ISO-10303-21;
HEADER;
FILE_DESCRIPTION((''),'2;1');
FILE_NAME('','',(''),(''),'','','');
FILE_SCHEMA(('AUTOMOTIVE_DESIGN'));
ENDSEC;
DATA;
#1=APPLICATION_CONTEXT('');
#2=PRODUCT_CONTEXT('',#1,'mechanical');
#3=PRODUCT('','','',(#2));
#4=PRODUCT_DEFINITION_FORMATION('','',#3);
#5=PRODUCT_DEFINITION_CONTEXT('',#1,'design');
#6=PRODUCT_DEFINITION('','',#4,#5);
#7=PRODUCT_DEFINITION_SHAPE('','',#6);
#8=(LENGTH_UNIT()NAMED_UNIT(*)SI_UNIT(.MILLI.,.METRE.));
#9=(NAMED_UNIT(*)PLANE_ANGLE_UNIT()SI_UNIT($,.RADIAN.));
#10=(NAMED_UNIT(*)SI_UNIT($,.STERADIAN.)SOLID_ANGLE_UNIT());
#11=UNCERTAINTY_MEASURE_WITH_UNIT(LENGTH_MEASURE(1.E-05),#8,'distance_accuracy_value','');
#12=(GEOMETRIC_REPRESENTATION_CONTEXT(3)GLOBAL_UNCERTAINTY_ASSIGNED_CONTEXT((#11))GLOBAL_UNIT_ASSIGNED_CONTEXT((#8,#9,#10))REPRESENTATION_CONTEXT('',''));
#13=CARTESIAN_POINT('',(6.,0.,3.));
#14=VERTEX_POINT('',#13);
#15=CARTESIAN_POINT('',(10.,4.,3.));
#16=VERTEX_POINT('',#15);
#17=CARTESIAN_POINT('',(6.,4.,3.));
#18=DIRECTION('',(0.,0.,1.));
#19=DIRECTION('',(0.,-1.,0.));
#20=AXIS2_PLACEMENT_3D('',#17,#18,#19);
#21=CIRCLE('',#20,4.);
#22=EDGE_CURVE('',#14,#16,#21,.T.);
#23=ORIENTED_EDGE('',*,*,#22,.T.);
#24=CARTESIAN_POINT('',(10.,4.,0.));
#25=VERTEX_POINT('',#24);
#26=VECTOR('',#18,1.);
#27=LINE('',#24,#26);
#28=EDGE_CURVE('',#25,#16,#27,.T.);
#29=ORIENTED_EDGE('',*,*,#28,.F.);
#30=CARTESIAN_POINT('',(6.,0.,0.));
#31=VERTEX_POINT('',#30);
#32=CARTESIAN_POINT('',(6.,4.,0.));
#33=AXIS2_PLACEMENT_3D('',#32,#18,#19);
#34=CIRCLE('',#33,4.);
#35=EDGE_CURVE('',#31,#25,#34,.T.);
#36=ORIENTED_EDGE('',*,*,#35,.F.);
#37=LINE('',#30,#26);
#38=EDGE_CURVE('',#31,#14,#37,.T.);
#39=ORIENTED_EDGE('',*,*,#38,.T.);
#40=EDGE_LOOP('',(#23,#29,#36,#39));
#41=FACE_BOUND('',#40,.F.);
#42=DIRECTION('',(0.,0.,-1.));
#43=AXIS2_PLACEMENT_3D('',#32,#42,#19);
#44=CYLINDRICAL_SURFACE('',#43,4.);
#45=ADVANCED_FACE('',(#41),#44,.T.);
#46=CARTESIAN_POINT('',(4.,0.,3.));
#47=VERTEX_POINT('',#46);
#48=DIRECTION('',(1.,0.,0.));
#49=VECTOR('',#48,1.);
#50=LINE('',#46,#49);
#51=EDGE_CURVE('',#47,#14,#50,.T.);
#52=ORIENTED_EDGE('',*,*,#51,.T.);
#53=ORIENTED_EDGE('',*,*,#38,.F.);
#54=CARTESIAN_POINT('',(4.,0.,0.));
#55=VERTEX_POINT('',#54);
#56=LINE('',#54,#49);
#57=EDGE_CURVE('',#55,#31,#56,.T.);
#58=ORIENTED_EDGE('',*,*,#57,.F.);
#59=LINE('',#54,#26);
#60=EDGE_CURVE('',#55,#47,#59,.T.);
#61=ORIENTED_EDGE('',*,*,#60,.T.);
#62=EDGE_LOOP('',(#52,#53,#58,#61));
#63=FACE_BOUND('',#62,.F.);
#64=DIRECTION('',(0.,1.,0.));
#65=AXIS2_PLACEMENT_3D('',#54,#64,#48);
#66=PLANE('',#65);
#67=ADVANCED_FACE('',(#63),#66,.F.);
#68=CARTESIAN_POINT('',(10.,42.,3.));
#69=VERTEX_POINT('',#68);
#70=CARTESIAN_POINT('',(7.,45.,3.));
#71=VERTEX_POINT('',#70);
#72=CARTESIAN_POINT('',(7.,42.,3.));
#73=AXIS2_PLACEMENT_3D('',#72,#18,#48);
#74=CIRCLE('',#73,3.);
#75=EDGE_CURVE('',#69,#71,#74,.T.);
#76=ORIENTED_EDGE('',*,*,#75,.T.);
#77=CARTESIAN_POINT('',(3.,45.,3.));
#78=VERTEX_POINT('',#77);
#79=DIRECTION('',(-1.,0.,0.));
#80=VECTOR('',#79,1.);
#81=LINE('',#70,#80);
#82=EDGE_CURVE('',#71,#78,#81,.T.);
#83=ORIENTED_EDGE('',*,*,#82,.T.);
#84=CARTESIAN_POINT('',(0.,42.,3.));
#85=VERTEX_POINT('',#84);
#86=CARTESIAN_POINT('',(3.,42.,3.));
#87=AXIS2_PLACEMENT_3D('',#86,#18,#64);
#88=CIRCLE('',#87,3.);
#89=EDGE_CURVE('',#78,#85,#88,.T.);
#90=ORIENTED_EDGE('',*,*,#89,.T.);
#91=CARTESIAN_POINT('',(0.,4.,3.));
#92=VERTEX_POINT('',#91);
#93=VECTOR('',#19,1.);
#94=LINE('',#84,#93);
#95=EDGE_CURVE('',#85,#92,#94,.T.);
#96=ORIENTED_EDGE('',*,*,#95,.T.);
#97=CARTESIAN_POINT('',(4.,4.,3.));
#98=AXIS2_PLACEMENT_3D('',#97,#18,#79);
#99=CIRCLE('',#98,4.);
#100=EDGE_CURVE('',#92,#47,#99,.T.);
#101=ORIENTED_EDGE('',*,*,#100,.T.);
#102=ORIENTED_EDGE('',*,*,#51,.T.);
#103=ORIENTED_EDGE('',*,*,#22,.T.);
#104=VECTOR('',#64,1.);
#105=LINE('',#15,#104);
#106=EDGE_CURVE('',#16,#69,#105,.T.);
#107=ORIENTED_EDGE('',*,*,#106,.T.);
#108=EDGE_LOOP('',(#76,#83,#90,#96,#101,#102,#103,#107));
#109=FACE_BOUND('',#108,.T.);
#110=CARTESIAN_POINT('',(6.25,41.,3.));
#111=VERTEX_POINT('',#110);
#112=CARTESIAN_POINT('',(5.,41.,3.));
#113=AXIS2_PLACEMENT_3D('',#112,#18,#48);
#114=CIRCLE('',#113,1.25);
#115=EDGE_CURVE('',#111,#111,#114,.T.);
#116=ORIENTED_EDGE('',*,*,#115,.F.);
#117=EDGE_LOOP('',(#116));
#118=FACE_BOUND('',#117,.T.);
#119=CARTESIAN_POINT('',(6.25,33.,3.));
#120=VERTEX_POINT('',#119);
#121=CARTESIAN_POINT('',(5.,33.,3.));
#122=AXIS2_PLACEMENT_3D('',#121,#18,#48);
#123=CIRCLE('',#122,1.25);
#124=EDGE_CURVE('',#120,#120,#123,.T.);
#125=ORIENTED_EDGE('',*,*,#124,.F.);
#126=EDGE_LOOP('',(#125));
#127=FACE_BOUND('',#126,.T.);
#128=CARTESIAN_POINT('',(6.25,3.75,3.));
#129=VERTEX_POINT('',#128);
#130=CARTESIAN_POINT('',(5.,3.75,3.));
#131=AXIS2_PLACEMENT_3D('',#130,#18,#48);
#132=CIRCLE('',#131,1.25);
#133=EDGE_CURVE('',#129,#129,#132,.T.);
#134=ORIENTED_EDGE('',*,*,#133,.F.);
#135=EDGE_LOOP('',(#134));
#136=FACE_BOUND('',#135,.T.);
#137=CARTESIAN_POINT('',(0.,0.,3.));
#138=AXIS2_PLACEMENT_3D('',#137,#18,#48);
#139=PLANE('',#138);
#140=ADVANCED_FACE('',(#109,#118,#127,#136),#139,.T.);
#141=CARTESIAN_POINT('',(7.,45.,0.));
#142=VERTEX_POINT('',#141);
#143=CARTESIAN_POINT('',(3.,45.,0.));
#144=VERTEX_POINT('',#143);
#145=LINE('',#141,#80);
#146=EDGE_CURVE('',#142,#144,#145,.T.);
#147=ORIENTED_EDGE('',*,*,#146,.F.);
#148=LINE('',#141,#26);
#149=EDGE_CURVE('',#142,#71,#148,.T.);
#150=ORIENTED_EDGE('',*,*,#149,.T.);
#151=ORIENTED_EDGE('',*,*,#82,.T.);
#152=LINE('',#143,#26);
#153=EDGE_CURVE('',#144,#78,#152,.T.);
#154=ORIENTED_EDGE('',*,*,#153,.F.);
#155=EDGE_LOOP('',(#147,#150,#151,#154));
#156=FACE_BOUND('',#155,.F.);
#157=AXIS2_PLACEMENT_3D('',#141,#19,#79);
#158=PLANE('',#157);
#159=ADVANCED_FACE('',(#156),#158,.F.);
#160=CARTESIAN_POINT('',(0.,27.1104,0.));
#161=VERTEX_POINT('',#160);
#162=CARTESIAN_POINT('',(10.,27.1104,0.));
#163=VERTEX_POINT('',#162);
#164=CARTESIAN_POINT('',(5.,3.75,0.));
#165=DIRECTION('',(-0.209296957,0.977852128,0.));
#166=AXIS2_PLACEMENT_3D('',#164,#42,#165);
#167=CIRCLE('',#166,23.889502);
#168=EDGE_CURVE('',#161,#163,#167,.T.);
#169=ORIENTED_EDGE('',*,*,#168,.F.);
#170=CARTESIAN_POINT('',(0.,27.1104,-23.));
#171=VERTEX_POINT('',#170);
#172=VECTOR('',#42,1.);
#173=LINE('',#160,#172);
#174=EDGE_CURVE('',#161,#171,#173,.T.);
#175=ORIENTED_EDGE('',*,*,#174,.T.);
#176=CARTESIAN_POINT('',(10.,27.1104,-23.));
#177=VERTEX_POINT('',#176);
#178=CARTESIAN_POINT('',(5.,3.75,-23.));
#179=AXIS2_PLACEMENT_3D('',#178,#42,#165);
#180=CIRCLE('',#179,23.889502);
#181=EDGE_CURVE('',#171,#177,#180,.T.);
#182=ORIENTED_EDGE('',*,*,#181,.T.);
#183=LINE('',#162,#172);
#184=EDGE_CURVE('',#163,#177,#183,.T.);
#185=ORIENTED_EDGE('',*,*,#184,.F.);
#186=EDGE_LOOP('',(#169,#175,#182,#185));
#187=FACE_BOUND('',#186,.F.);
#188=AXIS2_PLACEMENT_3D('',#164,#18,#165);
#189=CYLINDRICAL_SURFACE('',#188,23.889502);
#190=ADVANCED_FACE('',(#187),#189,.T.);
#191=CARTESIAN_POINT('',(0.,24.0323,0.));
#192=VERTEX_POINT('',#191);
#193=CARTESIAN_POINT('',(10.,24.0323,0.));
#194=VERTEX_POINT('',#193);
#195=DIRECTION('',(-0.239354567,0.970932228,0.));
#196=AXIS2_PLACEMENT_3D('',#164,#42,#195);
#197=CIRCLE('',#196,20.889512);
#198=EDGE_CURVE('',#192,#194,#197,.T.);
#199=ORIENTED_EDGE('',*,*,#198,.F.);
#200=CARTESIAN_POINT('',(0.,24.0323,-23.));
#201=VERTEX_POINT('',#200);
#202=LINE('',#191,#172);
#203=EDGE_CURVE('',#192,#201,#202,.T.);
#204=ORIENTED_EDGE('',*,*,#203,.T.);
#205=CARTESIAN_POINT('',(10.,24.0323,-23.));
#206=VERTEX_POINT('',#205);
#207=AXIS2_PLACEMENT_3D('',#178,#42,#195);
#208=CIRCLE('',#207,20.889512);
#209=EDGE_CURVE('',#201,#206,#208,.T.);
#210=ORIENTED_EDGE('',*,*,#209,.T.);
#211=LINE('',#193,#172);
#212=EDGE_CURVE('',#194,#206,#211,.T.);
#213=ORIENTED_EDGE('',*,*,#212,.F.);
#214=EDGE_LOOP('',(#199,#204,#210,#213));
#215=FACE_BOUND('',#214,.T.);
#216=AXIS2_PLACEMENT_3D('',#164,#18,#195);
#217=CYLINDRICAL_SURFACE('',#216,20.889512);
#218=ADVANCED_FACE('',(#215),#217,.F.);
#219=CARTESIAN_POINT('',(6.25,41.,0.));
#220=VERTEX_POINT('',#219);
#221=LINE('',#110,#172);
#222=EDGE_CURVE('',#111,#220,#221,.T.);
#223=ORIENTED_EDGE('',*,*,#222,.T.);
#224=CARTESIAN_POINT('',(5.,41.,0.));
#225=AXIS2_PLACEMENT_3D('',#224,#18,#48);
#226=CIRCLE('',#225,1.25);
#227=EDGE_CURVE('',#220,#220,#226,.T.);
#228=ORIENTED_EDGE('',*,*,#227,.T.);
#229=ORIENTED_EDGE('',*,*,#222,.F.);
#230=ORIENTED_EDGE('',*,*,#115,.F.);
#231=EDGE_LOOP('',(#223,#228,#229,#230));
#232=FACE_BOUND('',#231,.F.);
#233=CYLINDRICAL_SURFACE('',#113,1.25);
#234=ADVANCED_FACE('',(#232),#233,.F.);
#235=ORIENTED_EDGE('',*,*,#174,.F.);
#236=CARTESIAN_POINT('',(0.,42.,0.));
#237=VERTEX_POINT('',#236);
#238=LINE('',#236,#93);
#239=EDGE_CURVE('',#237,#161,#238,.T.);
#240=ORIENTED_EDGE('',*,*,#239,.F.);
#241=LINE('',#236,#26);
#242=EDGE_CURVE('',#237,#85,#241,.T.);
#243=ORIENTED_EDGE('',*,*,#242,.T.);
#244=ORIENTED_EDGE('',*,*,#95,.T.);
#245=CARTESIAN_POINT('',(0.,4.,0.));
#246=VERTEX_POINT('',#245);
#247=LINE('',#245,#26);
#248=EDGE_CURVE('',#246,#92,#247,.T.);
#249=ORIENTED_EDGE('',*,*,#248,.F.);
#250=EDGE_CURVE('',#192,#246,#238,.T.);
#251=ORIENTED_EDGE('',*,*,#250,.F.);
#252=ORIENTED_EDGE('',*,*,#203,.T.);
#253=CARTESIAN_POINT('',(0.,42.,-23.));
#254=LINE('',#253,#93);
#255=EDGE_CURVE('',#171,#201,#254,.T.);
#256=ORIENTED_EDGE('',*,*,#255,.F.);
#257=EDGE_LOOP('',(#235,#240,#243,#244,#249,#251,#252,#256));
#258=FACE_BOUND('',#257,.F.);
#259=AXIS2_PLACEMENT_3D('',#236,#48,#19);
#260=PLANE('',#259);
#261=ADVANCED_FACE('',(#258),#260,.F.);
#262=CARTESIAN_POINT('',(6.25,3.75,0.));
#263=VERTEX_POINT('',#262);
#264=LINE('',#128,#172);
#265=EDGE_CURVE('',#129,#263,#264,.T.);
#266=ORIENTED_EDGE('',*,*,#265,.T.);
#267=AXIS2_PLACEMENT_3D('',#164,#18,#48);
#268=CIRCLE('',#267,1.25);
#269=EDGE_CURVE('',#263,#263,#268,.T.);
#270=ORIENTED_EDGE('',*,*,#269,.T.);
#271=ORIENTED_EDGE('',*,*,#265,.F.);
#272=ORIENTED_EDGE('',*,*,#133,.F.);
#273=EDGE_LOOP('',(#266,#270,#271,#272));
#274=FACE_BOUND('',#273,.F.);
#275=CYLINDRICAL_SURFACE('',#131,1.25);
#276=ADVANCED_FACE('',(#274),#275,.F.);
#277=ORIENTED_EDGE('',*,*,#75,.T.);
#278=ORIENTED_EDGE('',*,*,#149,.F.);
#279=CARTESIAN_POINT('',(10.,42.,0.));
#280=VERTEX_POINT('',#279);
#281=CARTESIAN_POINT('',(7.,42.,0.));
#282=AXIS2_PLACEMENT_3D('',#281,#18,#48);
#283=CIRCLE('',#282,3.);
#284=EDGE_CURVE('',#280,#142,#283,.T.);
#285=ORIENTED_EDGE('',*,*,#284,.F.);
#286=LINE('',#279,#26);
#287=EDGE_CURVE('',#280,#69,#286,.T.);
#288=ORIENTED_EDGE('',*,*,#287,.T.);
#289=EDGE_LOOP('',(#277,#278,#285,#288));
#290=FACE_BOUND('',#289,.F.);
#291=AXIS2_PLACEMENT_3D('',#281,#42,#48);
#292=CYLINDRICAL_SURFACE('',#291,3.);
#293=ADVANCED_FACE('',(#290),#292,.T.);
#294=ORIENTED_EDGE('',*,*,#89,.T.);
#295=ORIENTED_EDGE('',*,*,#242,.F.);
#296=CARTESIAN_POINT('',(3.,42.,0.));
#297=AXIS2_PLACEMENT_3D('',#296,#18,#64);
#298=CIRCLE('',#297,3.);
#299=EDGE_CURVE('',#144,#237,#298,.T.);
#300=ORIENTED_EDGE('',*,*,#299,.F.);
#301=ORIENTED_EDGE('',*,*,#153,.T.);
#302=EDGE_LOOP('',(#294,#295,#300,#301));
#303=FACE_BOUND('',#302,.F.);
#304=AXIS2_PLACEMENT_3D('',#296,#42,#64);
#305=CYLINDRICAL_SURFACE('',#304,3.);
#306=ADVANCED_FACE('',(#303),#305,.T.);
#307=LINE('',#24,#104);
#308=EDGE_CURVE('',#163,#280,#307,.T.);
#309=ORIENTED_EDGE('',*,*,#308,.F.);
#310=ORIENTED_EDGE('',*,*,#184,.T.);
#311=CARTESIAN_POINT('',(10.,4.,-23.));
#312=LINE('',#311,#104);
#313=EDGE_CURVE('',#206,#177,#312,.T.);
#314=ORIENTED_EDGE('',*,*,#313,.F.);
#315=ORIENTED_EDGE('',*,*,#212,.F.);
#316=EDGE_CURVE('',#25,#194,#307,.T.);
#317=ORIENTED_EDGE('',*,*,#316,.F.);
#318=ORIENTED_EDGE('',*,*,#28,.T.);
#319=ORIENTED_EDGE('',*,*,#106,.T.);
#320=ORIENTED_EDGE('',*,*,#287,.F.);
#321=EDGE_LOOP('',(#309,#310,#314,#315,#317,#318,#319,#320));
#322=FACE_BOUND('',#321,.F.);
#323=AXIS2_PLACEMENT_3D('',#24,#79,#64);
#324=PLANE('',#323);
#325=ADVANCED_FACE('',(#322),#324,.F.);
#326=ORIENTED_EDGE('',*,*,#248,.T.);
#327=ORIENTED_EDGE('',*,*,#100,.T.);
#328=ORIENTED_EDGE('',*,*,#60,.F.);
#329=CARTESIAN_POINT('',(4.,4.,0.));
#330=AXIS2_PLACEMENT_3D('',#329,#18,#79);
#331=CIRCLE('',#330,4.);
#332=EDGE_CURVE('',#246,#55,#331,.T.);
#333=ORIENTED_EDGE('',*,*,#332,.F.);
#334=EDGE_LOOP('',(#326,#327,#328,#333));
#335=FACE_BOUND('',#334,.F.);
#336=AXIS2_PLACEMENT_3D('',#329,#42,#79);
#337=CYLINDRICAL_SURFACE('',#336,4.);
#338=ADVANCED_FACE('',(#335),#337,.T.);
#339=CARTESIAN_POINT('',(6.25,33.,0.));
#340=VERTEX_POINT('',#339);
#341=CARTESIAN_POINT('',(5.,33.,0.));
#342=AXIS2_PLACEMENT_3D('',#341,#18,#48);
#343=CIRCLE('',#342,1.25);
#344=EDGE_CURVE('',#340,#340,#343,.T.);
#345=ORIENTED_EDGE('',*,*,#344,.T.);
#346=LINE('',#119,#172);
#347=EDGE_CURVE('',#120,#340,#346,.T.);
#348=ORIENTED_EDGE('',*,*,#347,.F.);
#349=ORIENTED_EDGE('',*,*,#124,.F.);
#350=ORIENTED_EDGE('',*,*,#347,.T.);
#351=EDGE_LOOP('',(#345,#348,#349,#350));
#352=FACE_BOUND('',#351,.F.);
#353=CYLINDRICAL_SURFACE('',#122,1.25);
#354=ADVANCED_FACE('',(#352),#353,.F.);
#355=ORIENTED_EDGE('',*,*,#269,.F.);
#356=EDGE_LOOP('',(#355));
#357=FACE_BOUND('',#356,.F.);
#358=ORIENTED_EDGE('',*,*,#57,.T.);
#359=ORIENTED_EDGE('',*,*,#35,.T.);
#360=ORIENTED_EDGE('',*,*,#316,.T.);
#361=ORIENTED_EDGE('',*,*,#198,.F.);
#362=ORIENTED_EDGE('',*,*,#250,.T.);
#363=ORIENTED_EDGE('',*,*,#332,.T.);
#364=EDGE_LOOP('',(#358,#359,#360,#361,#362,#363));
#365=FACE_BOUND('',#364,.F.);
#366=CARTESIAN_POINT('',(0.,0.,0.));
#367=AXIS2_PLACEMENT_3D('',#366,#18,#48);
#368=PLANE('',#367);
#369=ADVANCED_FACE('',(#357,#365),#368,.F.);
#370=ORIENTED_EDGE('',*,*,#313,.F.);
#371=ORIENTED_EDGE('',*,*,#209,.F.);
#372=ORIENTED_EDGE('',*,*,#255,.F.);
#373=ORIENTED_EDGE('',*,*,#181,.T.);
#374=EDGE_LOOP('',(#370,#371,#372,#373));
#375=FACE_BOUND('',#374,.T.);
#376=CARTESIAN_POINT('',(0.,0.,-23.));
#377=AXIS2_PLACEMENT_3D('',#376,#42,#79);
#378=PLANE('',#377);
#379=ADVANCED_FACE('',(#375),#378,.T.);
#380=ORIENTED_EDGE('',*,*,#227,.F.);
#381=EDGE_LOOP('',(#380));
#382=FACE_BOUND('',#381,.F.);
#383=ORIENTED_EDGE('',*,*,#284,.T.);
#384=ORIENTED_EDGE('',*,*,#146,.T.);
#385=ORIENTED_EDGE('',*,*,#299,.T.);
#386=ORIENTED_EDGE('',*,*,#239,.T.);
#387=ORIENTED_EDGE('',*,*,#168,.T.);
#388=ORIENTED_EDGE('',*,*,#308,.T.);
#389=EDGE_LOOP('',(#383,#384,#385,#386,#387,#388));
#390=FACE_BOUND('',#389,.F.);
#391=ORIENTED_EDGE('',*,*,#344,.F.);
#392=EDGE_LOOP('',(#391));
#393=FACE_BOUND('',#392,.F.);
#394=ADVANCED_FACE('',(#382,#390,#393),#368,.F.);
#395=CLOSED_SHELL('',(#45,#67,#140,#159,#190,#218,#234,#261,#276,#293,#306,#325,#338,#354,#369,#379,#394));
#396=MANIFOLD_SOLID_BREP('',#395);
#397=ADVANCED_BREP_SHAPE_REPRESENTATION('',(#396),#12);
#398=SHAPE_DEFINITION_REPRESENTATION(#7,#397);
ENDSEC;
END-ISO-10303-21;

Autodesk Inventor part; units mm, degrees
ref_plane "YZ Plane" through (0, 0, 0) normal (1, 0, 0) x (0, 1, 0)
ref_plane "XZ Plane" through (0, 0, 0) normal (0, 1, 0) x (-1, 0, 0)
ref_plane "XY Plane" through (0, 0, 0) normal (0, 0, 1) x (1, 0, 0)
sketch "Sketch1" plane through (0, 0, 0) normal (0, 0, 1) x (1, 0, 0)
  line L0 (4, 0) -> (6, 0)
  line L1 (10, 4) -> (10, 42)
  line L2 (7, 45) -> (3, 45)
  line L3 (0, 42) -> (0, 4)
  arc A0 (0, 4) -> (4, 0) centre (4, 4) ccw
  arc A1 (6, 0) -> (10, 4) centre (6, 4) ccw
  arc A2 (3, 45) -> (0, 42) centre (3, 42) ccw
  arc A3 (10, 42) -> (7, 45) centre (7, 42) ccw
  point P0 (0, 0)
  point P1 (10, 45)
  point P2 (10, 0)
  point P3 (0, 45)
  dimension "d0" = 10
  dimension "d1" = 45
  dimension "d21" = 4
  dimension "d26" = 3
extrude "Extrusion1" add sketch "Sketch1" along normal blind 3
sketch "Sketch2" plane through (0, 0, 3) normal (0, 0, 1) x (1, 0, 0)
  circle A0 centre (5, 3.75) radius 1.25
  line L0 (0, 4) -> (0, 42) projected
  line L1 (6, 0) -> (4, 0) projected
  line L2 (3, 45) -> (7, 45) projected
  circle A1 centre (5, 33) radius 1.25
  circle A2 centre (5, 41) radius 1.25
  point P0 (0, 40)
  point P1 (0, 0)
  point P2 (10, 0)
  dimension "d4" = 2.5
  dimension "d14" = 3.75
  dimension "d18" = 5
  dimension "d27" = 2.5
  dimension "d28" = 2.5
  dimension "d29" = 4
  dimension "d30" = 8
extrude "Extrusion4" cut sketch "Sketch2" against normal through all
sketch "Sketch3" plane through (0, 0, 0) normal (0, 0, -1) x (-1, 0, 0)
  circle A0 centre (-5, 3.75) radius 1.25 projected
  line L0 (-10, 4) -> (-10, 42) projected
  line L1 (0, 42) -> (0, 4) projected
  arc A1 (0, 24.0323) -> (-10, 24.0323) centre (-5, 3.75) ccw
  arc A2 (0, 27.1104) -> (-10, 27.1104) centre (-5, 3.75) ccw
  point P0 (-10, 40)
  point P1 (0, 40)
  point P2 (0, 0)
  dimension "d22" = 20.8895
  dimension "d23" = 3
extrude "Extrusion5" add sketch "Sketch3" along normal blind 23 contours L0 A2 L1 A1
equation "\"d4\" = centerHoleDia"
equation "\"d22\" = setScrewRingRad"
equation "\"d23\" = wallThickness"
equation "\"d24\" = wallHeight + wallThickness"
equation "\"centerHoleDia\" = 2.5"
equation "\"setScrewRingRad\" = 20.889512"
equation "\"wallThickness\" = 3"
equation "\"wallHeight\" = 20"
properties part number "arm"
